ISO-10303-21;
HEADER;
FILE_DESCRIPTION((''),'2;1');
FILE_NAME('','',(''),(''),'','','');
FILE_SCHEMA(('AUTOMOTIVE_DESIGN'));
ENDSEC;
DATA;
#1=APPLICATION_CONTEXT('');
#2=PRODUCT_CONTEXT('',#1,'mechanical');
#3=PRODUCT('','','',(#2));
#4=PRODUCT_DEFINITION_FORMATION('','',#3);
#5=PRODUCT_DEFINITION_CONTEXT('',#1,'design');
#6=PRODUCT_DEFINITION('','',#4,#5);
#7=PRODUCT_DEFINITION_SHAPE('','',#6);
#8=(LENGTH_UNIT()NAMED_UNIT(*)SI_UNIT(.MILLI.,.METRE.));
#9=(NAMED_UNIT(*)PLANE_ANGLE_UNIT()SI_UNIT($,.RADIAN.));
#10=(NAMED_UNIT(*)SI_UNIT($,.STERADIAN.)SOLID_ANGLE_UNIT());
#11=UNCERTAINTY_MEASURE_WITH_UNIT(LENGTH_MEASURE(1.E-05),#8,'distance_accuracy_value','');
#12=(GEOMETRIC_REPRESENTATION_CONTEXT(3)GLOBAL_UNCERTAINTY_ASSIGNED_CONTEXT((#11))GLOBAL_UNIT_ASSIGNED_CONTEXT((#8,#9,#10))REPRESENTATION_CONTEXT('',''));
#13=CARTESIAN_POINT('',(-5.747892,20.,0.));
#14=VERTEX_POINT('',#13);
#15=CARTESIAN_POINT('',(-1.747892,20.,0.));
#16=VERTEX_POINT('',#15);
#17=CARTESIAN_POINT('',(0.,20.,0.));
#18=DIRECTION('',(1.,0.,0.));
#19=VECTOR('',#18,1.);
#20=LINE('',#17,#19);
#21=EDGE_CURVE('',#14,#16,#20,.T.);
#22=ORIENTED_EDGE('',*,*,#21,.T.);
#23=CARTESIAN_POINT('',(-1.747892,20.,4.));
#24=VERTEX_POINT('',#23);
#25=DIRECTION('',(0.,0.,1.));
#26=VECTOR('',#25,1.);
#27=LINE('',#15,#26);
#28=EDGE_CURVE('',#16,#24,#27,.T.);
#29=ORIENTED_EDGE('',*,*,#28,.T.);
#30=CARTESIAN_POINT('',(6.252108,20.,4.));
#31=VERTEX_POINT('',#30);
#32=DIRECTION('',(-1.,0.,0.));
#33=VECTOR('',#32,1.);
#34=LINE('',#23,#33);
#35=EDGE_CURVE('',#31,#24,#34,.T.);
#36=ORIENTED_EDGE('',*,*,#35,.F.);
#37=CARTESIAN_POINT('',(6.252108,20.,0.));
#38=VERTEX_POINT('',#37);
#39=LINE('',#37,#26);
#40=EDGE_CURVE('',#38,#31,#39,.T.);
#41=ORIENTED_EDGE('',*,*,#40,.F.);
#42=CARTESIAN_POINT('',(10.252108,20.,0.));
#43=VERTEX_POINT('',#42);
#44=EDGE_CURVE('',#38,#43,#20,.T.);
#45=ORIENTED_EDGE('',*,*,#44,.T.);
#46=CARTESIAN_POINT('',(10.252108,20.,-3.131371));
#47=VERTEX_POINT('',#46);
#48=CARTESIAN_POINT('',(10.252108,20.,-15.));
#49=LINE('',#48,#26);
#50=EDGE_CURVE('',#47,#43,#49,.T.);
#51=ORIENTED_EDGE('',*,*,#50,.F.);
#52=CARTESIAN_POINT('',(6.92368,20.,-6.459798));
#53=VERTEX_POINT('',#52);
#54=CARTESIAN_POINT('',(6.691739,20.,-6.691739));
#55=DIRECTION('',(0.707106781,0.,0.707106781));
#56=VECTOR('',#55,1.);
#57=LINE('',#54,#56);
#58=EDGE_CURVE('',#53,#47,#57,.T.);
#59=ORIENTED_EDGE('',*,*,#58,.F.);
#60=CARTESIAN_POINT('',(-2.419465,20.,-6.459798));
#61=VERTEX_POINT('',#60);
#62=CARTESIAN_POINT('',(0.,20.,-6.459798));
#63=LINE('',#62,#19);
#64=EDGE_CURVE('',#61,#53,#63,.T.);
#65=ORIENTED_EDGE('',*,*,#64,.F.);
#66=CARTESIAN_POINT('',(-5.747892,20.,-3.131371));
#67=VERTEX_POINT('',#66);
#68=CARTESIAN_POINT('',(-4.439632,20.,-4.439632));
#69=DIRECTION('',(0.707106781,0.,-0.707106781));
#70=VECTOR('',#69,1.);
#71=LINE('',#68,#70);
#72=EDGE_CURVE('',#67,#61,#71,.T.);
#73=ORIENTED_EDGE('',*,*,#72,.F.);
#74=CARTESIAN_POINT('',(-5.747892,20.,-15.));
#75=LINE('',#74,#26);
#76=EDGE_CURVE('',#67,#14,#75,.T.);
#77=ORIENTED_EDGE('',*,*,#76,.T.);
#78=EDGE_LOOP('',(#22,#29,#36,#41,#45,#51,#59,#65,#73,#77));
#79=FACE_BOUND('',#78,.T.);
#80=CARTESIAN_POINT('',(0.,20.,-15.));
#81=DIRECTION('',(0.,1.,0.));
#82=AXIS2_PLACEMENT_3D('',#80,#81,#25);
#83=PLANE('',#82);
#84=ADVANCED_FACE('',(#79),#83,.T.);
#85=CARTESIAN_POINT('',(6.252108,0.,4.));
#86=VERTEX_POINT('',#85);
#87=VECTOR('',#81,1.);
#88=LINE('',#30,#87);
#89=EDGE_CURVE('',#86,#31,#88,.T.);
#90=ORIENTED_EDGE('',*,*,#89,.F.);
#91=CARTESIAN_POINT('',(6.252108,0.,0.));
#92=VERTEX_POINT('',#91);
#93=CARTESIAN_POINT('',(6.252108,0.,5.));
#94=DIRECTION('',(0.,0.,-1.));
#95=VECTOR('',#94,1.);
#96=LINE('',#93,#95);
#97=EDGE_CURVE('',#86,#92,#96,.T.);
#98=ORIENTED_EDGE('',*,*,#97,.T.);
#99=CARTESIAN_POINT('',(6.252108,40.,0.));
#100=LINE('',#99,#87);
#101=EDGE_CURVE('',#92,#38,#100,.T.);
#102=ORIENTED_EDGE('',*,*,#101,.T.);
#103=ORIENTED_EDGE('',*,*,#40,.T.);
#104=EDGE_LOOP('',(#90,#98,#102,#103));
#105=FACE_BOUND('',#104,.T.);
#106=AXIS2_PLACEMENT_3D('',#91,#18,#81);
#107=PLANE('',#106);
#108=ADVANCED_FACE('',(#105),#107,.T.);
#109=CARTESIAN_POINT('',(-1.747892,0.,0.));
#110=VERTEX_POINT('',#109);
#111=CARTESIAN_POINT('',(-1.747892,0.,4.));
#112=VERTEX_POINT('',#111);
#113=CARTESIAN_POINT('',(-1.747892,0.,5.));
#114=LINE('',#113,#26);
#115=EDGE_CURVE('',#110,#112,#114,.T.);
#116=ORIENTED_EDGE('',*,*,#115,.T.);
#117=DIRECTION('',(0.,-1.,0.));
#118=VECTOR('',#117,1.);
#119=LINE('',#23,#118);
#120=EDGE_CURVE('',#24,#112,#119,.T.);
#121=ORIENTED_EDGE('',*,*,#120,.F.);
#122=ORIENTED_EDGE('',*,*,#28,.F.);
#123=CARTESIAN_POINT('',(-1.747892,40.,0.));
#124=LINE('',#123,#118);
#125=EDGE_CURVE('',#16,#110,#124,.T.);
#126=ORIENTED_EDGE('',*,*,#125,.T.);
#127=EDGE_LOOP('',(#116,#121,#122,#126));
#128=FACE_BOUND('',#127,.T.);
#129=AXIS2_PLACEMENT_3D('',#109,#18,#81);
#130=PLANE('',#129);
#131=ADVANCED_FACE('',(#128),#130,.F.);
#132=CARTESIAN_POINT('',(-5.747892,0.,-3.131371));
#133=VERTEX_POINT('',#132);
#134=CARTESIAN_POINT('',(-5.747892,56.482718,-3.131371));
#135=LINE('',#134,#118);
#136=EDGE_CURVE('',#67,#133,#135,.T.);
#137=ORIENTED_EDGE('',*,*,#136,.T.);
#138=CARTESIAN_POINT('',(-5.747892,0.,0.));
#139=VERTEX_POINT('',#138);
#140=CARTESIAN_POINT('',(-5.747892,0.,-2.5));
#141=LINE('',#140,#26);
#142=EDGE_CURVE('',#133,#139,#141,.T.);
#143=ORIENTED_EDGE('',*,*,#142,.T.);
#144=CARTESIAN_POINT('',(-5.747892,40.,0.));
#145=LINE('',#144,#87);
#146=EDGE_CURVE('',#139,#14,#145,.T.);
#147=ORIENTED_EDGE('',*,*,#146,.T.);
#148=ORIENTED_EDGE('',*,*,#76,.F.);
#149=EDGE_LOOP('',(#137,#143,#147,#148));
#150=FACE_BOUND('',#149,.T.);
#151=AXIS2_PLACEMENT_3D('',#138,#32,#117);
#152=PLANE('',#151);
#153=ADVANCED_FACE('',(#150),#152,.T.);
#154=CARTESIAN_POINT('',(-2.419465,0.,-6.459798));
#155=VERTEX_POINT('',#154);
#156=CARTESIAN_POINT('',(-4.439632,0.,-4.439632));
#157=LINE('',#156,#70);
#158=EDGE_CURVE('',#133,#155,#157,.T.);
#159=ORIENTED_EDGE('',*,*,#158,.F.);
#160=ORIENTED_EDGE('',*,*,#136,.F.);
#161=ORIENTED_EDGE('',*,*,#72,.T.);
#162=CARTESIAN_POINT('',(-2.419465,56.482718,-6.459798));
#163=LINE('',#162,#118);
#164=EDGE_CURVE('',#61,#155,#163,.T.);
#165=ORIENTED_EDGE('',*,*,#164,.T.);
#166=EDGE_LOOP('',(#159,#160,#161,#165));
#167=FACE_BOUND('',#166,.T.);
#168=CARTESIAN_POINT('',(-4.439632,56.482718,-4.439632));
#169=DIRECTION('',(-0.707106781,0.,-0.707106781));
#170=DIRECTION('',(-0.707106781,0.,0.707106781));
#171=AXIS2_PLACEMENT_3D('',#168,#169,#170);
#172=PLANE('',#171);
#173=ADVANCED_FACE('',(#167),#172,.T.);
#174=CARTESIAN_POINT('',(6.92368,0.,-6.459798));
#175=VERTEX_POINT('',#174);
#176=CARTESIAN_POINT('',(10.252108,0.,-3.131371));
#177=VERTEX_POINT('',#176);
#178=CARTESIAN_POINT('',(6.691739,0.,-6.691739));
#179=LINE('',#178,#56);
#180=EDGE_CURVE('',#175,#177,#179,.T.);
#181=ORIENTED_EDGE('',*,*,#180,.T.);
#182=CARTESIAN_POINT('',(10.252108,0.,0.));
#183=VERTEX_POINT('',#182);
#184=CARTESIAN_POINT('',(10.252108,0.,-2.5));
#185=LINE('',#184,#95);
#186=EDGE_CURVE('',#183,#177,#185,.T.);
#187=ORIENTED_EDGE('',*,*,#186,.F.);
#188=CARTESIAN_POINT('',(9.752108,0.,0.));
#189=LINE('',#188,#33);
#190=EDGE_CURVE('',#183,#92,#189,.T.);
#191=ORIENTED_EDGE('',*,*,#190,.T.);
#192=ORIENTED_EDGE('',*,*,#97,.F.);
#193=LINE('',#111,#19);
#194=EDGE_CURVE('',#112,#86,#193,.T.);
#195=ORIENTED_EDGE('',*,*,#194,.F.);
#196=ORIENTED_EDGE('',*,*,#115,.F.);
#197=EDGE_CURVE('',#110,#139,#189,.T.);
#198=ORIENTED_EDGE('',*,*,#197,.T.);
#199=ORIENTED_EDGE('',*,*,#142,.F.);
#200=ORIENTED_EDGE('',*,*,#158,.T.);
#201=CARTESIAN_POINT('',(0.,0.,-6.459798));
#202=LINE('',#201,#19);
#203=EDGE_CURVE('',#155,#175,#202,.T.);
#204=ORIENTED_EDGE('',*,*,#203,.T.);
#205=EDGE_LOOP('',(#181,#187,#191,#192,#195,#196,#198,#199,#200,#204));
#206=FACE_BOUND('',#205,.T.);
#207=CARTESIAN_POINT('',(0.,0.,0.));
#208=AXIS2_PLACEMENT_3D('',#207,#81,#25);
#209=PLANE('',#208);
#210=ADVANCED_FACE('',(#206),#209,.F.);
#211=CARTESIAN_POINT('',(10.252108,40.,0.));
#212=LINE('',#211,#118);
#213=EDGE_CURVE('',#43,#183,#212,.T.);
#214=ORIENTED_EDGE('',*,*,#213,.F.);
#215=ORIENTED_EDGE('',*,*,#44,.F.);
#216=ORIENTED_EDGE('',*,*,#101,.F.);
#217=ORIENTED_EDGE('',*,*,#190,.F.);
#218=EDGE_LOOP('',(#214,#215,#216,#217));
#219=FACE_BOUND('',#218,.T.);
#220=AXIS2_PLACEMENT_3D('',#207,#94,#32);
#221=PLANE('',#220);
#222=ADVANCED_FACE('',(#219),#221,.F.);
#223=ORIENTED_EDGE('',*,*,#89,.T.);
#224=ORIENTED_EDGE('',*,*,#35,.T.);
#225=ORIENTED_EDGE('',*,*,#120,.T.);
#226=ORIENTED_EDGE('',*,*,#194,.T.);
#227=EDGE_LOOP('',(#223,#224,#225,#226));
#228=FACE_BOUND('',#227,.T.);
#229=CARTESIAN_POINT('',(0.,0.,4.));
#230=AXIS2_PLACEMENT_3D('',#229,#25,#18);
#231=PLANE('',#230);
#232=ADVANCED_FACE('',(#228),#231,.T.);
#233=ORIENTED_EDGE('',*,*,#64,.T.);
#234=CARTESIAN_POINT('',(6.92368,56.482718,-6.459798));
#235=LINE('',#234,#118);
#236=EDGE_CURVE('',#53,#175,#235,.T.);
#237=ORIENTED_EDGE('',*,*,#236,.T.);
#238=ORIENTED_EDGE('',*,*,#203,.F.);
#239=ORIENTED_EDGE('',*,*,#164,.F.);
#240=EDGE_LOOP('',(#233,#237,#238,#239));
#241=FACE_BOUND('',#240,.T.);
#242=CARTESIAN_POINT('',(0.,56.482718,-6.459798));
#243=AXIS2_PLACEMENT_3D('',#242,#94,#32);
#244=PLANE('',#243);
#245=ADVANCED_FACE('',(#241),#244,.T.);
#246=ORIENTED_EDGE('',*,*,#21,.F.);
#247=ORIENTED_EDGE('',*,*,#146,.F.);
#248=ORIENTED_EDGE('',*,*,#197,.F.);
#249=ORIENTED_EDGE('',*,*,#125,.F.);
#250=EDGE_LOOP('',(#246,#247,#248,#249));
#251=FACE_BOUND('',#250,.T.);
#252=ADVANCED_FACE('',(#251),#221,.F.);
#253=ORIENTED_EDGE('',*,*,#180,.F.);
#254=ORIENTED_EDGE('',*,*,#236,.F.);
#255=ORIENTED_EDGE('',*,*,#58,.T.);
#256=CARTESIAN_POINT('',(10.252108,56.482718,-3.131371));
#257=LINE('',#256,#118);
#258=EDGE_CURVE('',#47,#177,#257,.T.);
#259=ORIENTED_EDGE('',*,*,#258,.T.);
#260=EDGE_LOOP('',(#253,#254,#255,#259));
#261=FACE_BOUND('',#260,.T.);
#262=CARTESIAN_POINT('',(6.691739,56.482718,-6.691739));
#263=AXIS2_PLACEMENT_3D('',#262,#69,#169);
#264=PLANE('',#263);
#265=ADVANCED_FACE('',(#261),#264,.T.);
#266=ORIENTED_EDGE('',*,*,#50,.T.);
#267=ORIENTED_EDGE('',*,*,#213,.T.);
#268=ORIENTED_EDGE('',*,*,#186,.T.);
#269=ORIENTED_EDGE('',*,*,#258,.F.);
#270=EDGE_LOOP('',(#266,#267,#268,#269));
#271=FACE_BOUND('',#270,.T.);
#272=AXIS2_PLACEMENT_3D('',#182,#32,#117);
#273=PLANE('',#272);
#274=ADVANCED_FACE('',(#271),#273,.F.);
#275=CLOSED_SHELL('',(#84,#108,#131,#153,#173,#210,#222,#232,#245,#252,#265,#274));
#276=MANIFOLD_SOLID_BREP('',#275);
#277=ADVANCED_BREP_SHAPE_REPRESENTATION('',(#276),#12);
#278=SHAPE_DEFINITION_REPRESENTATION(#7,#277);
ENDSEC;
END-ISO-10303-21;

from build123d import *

# Parameters (mm, degrees)
BOSS_EXTRUDE1_DEPTH          = 40
SKETCH2_W                    = 3.5
SKETCH2_H                    = 40
BOSS_EXTRUDE2_DEPTH          = 5
SKETCH4_R                    = 2
CUT_EXTRUDE1_DEPTH           = 7
SKETCH5_R                    = 3.5
CUT_EXTRUDE2_DEPTH           = 3
CUT_EXTRUDE2_DRAFT           = -27
CUT_EXTRUDE2_PROFILE_2_DEPTH = 3
CUT_EXTRUDE2_PROFILE_2_DRAFT = -27
BOSS_EXTRUDE3_DEPTH          = 3
SKETCH9_W                    = 13
SKETCH9_H                    = 40
CUT_EXTRUDE4_DEPTH           = 4.702585656
SKETCH10_W                   = 15
SKETCH10_H                   = 40
BOSS_EXTRUDE4_DEPTH          = 2.5
SKETCH11_W                   = 1.5
SKETCH11_H                   = 2.202585656
BOSS_EXTRUDE7_DEPTH          = 40
BOSS_EXTRUDE8_DEPTH          = 0.625841469
SKETCH13_R                   = 2
CUT_EXTRUDE5_DEPTH           = 10
SKETCH14_W                   = 2.5
SKETCH14_H                   = 40
BOSS_EXTRUDE9_DEPTH          = 0.5
SKETCH15_W                   = 2.5
SKETCH15_H                   = 40
BOSS_EXTRUDE10_DEPTH         = 0.5
BOSS_EXTRUDE11_DEPTH         = 40
BOSS_EXTRUDE12_DEPTH         = 1.13137085
SKETCH18_R                   = 2
CUT_EXTRUDE6_DEPTH           = 10
SKETCH19_R                   = 3
CUT_EXTRUDE7_DEPTH           = 3
CUT_EXTRUDE7_DRAFT           = -19
CUT_EXTRUDE7_PROFILE_2_DEPTH = 3
CUT_EXTRUDE7_PROFILE_2_DRAFT = -19
SKETCH20_W                   = 5
SKETCH20_H                   = 40
BOSS_EXTRUDE13_DEPTH         = 0.5
SKETCH21_W                   = 5
SKETCH21_H                   = 40
BOSS_EXTRUDE14_DEPTH         = 0.5
SKETCH22_W                   = 7
SKETCH22_H                   = 6.5
SKETCH22_W_2                 = 7.5
CUT_EXTRUDE8_DEPTH           = 20
SKETCH23_R                   = 2
BOSS_EXTRUDE15_DEPTH         = 6.459797975
SKETCH24_R                   = 3
BOSS_EXTRUDE16_DEPTH         = 11.459797975
SKETCH25_W                   = 4
SKETCH25_H                   = 20
CUT_EXTRUDE9_DEPTH           = 20
SKETCH26_W                   = 8
SKETCH26_H                   = 20
CUT_EXTRUDE10_DEPTH          = 1


with BuildPart() as part:
    # Sketch1 → Boss-Extrude1 (new body)
    with BuildSketch(Plane(origin=(0, 0, 0), x_dir=(1, 0, 0), z_dir=(0, 1, 0))):
        Polygon((-4.247892457, 4.702585656), (8.752107543, 4.702585656), (8.752107543, 1.702585656), (7.049521887, 0), (-2.545306801, 0), (-4.247892457, 1.702585656), align=None)
    extrude(amount=BOSS_EXTRUDE1_DEPTH)

    # Sketch2 → Boss-Extrude2 (add)
    with BuildSketch(Plane.XY):
        with Locations((4.002107543, 20)):
            Rectangle(SKETCH2_W, SKETCH2_H)
        with Locations((0.502107543, 20)):
            Rectangle(SKETCH2_W, SKETCH2_H)
    extrude(amount=BOSS_EXTRUDE2_DEPTH)

    # Sketch4 → Cut-Extrude1 (cut)
    with BuildSketch(Plane.XY.offset(5)):
        with Locations((2.252107543, 30)):
            Circle(SKETCH4_R)
        with Locations((2.252107543, 10)):
            Circle(SKETCH4_R)
    extrude(amount=-CUT_EXTRUDE1_DEPTH, mode=Mode.SUBTRACT)


with BuildPart() as cut_extrude2_tool:
    # Sketch5 → Cut-Extrude2 (with draft: the straight prism first)
    with BuildSketch(Plane(origin=(0, 0, -4.702585656), x_dir=(-1, 0, 0), z_dir=(0, 0, -1))):
        with Locations((-2.252107543, 30)):
            Circle(SKETCH5_R)
    extrude(amount=-CUT_EXTRUDE2_DEPTH)
    # Cut-Extrude2: the draft: its side faces are tilted about the plane it starts from
    cut_extrude2_sides = [cut_extrude2_tool.faces().sort_by_distance(p)[0] for p in [
        (5.752107543, 30, -3.202585656),
    ]]
    draft(cut_extrude2_sides, Plane(origin=(0, 0, -4.702585656), x_dir=(-1, 0, 0), z_dir=(0, 0, -1)), CUT_EXTRUDE2_DRAFT)


with BuildPart() as part_1:
    add(part.part)

    # Cut-Extrude2: cut by cut_extrude2_tool
    add(cut_extrude2_tool.part, mode=Mode.SUBTRACT)


with BuildPart() as cut_extrude2_profile_2_tool:
    # Sketch5 → Cut-Extrude2 profile 2 (with draft: the straight prism first)
    with BuildSketch(Plane(origin=(0, 0, -4.702585656), x_dir=(-1, 0, 0), z_dir=(0, 0, -1))):
        with Locations((-2.252107543, 10)):
            Circle(SKETCH5_R)
    extrude(amount=-CUT_EXTRUDE2_PROFILE_2_DEPTH)
    # Cut-Extrude2 profile 2: the draft: its side faces are tilted about the plane it starts from
    cut_extrude2_profile_2_sides = [cut_extrude2_profile_2_tool.faces().sort_by_distance(p)[0] for p in [
        (5.752107543, 10, -3.202585656),
    ]]
    draft(cut_extrude2_profile_2_sides, Plane(origin=(0, 0, -4.702585656), x_dir=(-1, 0, 0), z_dir=(0, 0, -1)), CUT_EXTRUDE2_PROFILE_2_DRAFT)


with BuildPart() as part_2:
    add(part_1.part)

    # Cut-Extrude2 profile 2: cut by cut_extrude2_profile_2_tool
    add(cut_extrude2_profile_2_tool.part, mode=Mode.SUBTRACT)

    # Sketch7 → Boss-Extrude3 (add)
    with BuildSketch(Plane(origin=(0, 0, -4.702585656), x_dir=(-1, 0, 0), z_dir=(0, 0, -1))):
        Polygon((1.247892457, 46.5), (-5.752107543, 46.5), (-5.752107543, 40), (-4.252107543, 40), (-4.252107543, 45), (-0.252107543, 45), (-0.252107543, 43.275204256), (-0.252107543, 40), (1.247892457, 40), align=None)
        Polygon((-4.252107543, 0), (-5.752107543, 0), (-5.752107543, -6.5), (1.247892457, -6.5), (1.247892457, 0), (-0.252107543, 0), (-0.252107543, -5), (-4.252107543, -5), align=None)
    extrude(amount=-BOSS_EXTRUDE3_DEPTH)

    # Sketch9 → Cut-Extrude4 (cut)
    with BuildSketch(Plane(origin=(0, 0, -4.702585656), x_dir=(-1, 0, 0), z_dir=(0, 0, -1))):
        with Locations((-2.252107543, 20)):
            Rectangle(SKETCH9_W, SKETCH9_H)
    extrude(amount=-CUT_EXTRUDE4_DEPTH, mode=Mode.SUBTRACT)


with BuildPart() as cut_extrude4_piece_1:
    # of the separate pieces the step leaves, piece 1, a body of its own (cut_extrude4_pieces)
    add(part_2.part.solids().sort_by_distance((-1.247892457, 0, 0))[0])



with BuildPart() as cut_extrude4_piece_2:
    # of the separate pieces the step leaves, piece 2, a body of its own (cut_extrude4_pieces)
    add(part_2.part.solids().sort_by_distance((0.252107543, 40, -4.702585656))[0])


with BuildPart() as cut_extrude4_piece_3:
    # of the separate pieces the step leaves, piece 3, a body of its own (cut_extrude4_pieces)
    add(part_2.part.solids().sort_by_distance((-1.247892457, -6.5, -4.702585656))[0])


with BuildPart() as cut_extrude4_piece_1_1:
    add(cut_extrude4_piece_1.part)

    add(cut_extrude4_piece_2.part)  # Boss-Extrude4 merges Cut-Extrude4 piece 2

    add(cut_extrude4_piece_3.part)  # Boss-Extrude4 merges Cut-Extrude4 piece 3
    # Sketch10 → Boss-Extrude4 (add)
    with BuildSketch(Plane(origin=(0, 0, 0), x_dir=(-1, 0, 0), z_dir=(0, 0, -1))):
        with Locations((-2.252107543, 20)):
            Rectangle(SKETCH10_W, SKETCH10_H)
    extrude(amount=BOSS_EXTRUDE4_DEPTH)

    # Sketch11 → Boss-Extrude7 (add)
    with BuildSketch(Plane(origin=(0, 0, 0), x_dir=(1, 0, 0), z_dir=(0, 1, 0))):
        with Locations((5.002107543, 3.601292828)):
            Rectangle(SKETCH11_W, SKETCH11_H)
        Polygon((-2.419465332, 5.328427125), (-5.247892457, 2.5), (4.252107543, 2.5), (4.252107543, 4.702585656), (5.752107543, 4.702585656), (5.752107543, 2.5), (9.752107543, 2.5), (6.923680418, 5.328427125), align=None)
    extrude(amount=BOSS_EXTRUDE7_DEPTH)

    # Sketch12 → Boss-Extrude8 (add)
    with BuildSketch(Plane(origin=(0, 0, -4.702585656), x_dir=(-1, 0, 0), z_dir=(0, 0, -1))):
        Polygon((-5.752107543, 0), (-5.752107543, -6.5), (1.247892457, -6.5), (1.247892457, 0), (-0.252107543, 0), (-0.252107543, -5), (-4.252107543, -5), (-4.252107543, 0), align=None)
        Polygon((1.247892457, 46.5), (-5.752107543, 46.5), (-5.752107543, 40), (-4.252107543, 40), (-4.252107543, 45), (-0.252107543, 45), (-0.252107543, 40), (1.247892457, 40), align=None)
    extrude(amount=BOSS_EXTRUDE8_DEPTH)

    # Sketch13 → Cut-Extrude5 (cut)
    with BuildSketch(Plane.XY):
        with Locations((2.252107543, 30)):
            Circle(SKETCH13_R)
        with Locations((2.252107543, 10)):
            Circle(SKETCH13_R)
    extrude(amount=-CUT_EXTRUDE5_DEPTH, mode=Mode.SUBTRACT)

    # Sketch14 → Boss-Extrude9 (add)
    with BuildSketch(Plane(origin=(9.752107543, 0, 0), x_dir=(0, 0, -1), z_dir=(1, 0, 0))):
        with Locations((1.25, 20)):
            Rectangle(SKETCH14_W, SKETCH14_H)
    extrude(amount=BOSS_EXTRUDE9_DEPTH)

    # Sketch15 → Boss-Extrude10 (add)
    with BuildSketch(Plane.ZY.offset(5.247892457)):
        with Locations((-1.25, 20)):
            Rectangle(SKETCH15_W, SKETCH15_H)
    extrude(amount=BOSS_EXTRUDE10_DEPTH)

    # Sketch16 → Boss-Extrude11 (add)
    with BuildSketch(Plane.XZ):
        Polygon((-2.419465332, -5.328427125), (-5.247892457, -2.5), (-5.747892457, -2.5), (-5.747892457, -3.13137085), (-2.419465332, -6.459797975), (6.923680418, -6.459797975), (10.252107543, -3.13137085), (10.252107543, -2.5), (9.752107543, -2.5), (6.923680418, -5.328427125), (0.656985658, -5.328427125), align=None)
    extrude(amount=-BOSS_EXTRUDE11_DEPTH)

    # Sketch17 → Boss-Extrude12 (add)
    with BuildSketch(Plane(origin=(0, 0, -5.328427125), x_dir=(-1, 0, 0), z_dir=(0, 0, -1))):
        Polygon((-5.752107543, 0), (-5.752107543, -6.5), (1.247892457, -6.5), (1.247892457, 0), (0, 0), (0, -5), (-0.252107543, -5), (-4.252107543, -5), (-4.252107543, 0), align=None)
        Polygon((1.247892457, 46.5), (-5.752107543, 46.5), (-5.752107543, 40), (-4.252107543, 40), (-4.252107543, 44.953142187), (-0.252107543, 44.953142187), (-0.252107543, 40), (1.247892457, 40), align=None)
    extrude(amount=BOSS_EXTRUDE12_DEPTH)

    # Sketch18 → Cut-Extrude6 (cut)
    with BuildSketch(Plane.XY.offset(-5.328427125)):
        with Locations((2.252107543, 30)):
            Circle(SKETCH18_R)
        with Locations((2.252107543, 10)):
            Circle(SKETCH18_R)
    extrude(amount=-CUT_EXTRUDE6_DEPTH, mode=Mode.SUBTRACT)


with BuildPart() as cut_extrude7_tool:
    # Sketch19 → Cut-Extrude7 (with draft: the straight prism first)
    with BuildSketch(Plane(origin=(0, 0, -6.459797975), x_dir=(-1, 0, 0), z_dir=(0, 0, -1))):
        with Locations((-2.252107543, 30)):
            Circle(SKETCH19_R)
    extrude(amount=-CUT_EXTRUDE7_DEPTH)
    # Cut-Extrude7: the draft: its side faces are tilted about the plane it starts from
    cut_extrude7_sides = [cut_extrude7_tool.faces().sort_by_distance(p)[0] for p in [
        (5.252107543, 30, -4.959797975),
    ]]
    draft(cut_extrude7_sides, Plane(origin=(0, 0, -6.459797975), x_dir=(-1, 0, 0), z_dir=(0, 0, -1)), CUT_EXTRUDE7_DRAFT)


with BuildPart() as cut_extrude4_piece_1_2:
    add(cut_extrude4_piece_1_1.part)

    # Cut-Extrude7: cut by cut_extrude7_tool
    add(cut_extrude7_tool.part, mode=Mode.SUBTRACT)


with BuildPart() as cut_extrude7_profile_2_tool:
    # Sketch19 → Cut-Extrude7 profile 2 (with draft: the straight prism first)
    with BuildSketch(Plane(origin=(0, 0, -6.459797975), x_dir=(-1, 0, 0), z_dir=(0, 0, -1))):
        with Locations((-2.252107543, 10)):
            Circle(SKETCH19_R)
    extrude(amount=-CUT_EXTRUDE7_PROFILE_2_DEPTH)
    # Cut-Extrude7 profile 2: the draft: its side faces are tilted about the plane it starts from
    cut_extrude7_profile_2_sides = [cut_extrude7_profile_2_tool.faces().sort_by_distance(p)[0] for p in [
        (5.252107543, 10, -4.959797975),
    ]]
    draft(cut_extrude7_profile_2_sides, Plane(origin=(0, 0, -6.459797975), x_dir=(-1, 0, 0), z_dir=(0, 0, -1)), CUT_EXTRUDE7_PROFILE_2_DRAFT)


with BuildPart() as cut_extrude4_piece_1_3:
    add(cut_extrude4_piece_1_2.part)

    # Cut-Extrude7 profile 2: cut by cut_extrude7_profile_2_tool
    add(cut_extrude7_profile_2_tool.part, mode=Mode.SUBTRACT)

    # Sketch20 → Boss-Extrude13 (add)
    with BuildSketch(Plane.ZY.offset(1.247892457)):
        with Locations((2.5, 20)):
            Rectangle(SKETCH20_W, SKETCH20_H)
    extrude(amount=BOSS_EXTRUDE13_DEPTH)

    # Sketch21 → Boss-Extrude14 (add)
    with BuildSketch(Plane(origin=(5.752107543, 0, 0), x_dir=(0, 0, -1), z_dir=(1, 0, 0))):
        with Locations((-2.5, 20)):
            Rectangle(SKETCH21_W, SKETCH21_H)
    extrude(amount=BOSS_EXTRUDE14_DEPTH)

    # Sketch22 → Cut-Extrude8 (cut)
    with BuildSketch(Plane.XY.offset(5)):
        with Locations((2.252107543, 43.25)):
            Rectangle(SKETCH22_W, SKETCH22_H)
        with Locations((2.502107543, -3.25)):
            Rectangle(SKETCH22_W_2, SKETCH22_H)
    extrude(amount=-CUT_EXTRUDE8_DEPTH, mode=Mode.SUBTRACT)

    # Sketch23 → Boss-Extrude15 (add)
    with BuildSketch(Plane.XY):
        with Locations((2.252107543, 10)):
            Circle(SKETCH23_R)
        with Locations((2.252107543, 30)):
            Circle(SKETCH23_R)
    extrude(amount=-BOSS_EXTRUDE15_DEPTH)

    # Sketch24 → Boss-Extrude16 (add)
    with BuildSketch(Plane(origin=(0, 0, -6.459797975), x_dir=(-1, 0, 0), z_dir=(0, 0, -1))):
        with Locations((-2.252107543, 30)):
            Circle(SKETCH24_R)
        with Locations((-2.252107543, 10)):
            Circle(SKETCH24_R)
    extrude(amount=-BOSS_EXTRUDE16_DEPTH)

    # Sketch25 → Cut-Extrude9 (cut)
    with BuildSketch(Plane.XY.offset(5)):
        Polygon((6.252107543, 20.358230215), (6.252107543, 20), (10.252107543, 20), (10.252107543, 40), (6.252107543, 40), align=None)
        Polygon((-1.747892457, 20), (6.252107543, 20), (6.252107543, 20.358230215), (6.252107543, 40), (-1.747892457, 40), align=None)
        with Locations((-3.747892457, 30)):
            Rectangle(SKETCH25_W, SKETCH25_H)
    extrude(amount=-CUT_EXTRUDE9_DEPTH, mode=Mode.SUBTRACT)

    # Sketch26 → Cut-Extrude10 (cut)
    with BuildSketch(Plane.XY.offset(5)):
        with Locations((2.252107543, 10)):
            Rectangle(SKETCH26_W, SKETCH26_H)
    extrude(amount=-CUT_EXTRUDE10_DEPTH, mode=Mode.SUBTRACT)


solid = cut_extrude4_piece_1_3.part
